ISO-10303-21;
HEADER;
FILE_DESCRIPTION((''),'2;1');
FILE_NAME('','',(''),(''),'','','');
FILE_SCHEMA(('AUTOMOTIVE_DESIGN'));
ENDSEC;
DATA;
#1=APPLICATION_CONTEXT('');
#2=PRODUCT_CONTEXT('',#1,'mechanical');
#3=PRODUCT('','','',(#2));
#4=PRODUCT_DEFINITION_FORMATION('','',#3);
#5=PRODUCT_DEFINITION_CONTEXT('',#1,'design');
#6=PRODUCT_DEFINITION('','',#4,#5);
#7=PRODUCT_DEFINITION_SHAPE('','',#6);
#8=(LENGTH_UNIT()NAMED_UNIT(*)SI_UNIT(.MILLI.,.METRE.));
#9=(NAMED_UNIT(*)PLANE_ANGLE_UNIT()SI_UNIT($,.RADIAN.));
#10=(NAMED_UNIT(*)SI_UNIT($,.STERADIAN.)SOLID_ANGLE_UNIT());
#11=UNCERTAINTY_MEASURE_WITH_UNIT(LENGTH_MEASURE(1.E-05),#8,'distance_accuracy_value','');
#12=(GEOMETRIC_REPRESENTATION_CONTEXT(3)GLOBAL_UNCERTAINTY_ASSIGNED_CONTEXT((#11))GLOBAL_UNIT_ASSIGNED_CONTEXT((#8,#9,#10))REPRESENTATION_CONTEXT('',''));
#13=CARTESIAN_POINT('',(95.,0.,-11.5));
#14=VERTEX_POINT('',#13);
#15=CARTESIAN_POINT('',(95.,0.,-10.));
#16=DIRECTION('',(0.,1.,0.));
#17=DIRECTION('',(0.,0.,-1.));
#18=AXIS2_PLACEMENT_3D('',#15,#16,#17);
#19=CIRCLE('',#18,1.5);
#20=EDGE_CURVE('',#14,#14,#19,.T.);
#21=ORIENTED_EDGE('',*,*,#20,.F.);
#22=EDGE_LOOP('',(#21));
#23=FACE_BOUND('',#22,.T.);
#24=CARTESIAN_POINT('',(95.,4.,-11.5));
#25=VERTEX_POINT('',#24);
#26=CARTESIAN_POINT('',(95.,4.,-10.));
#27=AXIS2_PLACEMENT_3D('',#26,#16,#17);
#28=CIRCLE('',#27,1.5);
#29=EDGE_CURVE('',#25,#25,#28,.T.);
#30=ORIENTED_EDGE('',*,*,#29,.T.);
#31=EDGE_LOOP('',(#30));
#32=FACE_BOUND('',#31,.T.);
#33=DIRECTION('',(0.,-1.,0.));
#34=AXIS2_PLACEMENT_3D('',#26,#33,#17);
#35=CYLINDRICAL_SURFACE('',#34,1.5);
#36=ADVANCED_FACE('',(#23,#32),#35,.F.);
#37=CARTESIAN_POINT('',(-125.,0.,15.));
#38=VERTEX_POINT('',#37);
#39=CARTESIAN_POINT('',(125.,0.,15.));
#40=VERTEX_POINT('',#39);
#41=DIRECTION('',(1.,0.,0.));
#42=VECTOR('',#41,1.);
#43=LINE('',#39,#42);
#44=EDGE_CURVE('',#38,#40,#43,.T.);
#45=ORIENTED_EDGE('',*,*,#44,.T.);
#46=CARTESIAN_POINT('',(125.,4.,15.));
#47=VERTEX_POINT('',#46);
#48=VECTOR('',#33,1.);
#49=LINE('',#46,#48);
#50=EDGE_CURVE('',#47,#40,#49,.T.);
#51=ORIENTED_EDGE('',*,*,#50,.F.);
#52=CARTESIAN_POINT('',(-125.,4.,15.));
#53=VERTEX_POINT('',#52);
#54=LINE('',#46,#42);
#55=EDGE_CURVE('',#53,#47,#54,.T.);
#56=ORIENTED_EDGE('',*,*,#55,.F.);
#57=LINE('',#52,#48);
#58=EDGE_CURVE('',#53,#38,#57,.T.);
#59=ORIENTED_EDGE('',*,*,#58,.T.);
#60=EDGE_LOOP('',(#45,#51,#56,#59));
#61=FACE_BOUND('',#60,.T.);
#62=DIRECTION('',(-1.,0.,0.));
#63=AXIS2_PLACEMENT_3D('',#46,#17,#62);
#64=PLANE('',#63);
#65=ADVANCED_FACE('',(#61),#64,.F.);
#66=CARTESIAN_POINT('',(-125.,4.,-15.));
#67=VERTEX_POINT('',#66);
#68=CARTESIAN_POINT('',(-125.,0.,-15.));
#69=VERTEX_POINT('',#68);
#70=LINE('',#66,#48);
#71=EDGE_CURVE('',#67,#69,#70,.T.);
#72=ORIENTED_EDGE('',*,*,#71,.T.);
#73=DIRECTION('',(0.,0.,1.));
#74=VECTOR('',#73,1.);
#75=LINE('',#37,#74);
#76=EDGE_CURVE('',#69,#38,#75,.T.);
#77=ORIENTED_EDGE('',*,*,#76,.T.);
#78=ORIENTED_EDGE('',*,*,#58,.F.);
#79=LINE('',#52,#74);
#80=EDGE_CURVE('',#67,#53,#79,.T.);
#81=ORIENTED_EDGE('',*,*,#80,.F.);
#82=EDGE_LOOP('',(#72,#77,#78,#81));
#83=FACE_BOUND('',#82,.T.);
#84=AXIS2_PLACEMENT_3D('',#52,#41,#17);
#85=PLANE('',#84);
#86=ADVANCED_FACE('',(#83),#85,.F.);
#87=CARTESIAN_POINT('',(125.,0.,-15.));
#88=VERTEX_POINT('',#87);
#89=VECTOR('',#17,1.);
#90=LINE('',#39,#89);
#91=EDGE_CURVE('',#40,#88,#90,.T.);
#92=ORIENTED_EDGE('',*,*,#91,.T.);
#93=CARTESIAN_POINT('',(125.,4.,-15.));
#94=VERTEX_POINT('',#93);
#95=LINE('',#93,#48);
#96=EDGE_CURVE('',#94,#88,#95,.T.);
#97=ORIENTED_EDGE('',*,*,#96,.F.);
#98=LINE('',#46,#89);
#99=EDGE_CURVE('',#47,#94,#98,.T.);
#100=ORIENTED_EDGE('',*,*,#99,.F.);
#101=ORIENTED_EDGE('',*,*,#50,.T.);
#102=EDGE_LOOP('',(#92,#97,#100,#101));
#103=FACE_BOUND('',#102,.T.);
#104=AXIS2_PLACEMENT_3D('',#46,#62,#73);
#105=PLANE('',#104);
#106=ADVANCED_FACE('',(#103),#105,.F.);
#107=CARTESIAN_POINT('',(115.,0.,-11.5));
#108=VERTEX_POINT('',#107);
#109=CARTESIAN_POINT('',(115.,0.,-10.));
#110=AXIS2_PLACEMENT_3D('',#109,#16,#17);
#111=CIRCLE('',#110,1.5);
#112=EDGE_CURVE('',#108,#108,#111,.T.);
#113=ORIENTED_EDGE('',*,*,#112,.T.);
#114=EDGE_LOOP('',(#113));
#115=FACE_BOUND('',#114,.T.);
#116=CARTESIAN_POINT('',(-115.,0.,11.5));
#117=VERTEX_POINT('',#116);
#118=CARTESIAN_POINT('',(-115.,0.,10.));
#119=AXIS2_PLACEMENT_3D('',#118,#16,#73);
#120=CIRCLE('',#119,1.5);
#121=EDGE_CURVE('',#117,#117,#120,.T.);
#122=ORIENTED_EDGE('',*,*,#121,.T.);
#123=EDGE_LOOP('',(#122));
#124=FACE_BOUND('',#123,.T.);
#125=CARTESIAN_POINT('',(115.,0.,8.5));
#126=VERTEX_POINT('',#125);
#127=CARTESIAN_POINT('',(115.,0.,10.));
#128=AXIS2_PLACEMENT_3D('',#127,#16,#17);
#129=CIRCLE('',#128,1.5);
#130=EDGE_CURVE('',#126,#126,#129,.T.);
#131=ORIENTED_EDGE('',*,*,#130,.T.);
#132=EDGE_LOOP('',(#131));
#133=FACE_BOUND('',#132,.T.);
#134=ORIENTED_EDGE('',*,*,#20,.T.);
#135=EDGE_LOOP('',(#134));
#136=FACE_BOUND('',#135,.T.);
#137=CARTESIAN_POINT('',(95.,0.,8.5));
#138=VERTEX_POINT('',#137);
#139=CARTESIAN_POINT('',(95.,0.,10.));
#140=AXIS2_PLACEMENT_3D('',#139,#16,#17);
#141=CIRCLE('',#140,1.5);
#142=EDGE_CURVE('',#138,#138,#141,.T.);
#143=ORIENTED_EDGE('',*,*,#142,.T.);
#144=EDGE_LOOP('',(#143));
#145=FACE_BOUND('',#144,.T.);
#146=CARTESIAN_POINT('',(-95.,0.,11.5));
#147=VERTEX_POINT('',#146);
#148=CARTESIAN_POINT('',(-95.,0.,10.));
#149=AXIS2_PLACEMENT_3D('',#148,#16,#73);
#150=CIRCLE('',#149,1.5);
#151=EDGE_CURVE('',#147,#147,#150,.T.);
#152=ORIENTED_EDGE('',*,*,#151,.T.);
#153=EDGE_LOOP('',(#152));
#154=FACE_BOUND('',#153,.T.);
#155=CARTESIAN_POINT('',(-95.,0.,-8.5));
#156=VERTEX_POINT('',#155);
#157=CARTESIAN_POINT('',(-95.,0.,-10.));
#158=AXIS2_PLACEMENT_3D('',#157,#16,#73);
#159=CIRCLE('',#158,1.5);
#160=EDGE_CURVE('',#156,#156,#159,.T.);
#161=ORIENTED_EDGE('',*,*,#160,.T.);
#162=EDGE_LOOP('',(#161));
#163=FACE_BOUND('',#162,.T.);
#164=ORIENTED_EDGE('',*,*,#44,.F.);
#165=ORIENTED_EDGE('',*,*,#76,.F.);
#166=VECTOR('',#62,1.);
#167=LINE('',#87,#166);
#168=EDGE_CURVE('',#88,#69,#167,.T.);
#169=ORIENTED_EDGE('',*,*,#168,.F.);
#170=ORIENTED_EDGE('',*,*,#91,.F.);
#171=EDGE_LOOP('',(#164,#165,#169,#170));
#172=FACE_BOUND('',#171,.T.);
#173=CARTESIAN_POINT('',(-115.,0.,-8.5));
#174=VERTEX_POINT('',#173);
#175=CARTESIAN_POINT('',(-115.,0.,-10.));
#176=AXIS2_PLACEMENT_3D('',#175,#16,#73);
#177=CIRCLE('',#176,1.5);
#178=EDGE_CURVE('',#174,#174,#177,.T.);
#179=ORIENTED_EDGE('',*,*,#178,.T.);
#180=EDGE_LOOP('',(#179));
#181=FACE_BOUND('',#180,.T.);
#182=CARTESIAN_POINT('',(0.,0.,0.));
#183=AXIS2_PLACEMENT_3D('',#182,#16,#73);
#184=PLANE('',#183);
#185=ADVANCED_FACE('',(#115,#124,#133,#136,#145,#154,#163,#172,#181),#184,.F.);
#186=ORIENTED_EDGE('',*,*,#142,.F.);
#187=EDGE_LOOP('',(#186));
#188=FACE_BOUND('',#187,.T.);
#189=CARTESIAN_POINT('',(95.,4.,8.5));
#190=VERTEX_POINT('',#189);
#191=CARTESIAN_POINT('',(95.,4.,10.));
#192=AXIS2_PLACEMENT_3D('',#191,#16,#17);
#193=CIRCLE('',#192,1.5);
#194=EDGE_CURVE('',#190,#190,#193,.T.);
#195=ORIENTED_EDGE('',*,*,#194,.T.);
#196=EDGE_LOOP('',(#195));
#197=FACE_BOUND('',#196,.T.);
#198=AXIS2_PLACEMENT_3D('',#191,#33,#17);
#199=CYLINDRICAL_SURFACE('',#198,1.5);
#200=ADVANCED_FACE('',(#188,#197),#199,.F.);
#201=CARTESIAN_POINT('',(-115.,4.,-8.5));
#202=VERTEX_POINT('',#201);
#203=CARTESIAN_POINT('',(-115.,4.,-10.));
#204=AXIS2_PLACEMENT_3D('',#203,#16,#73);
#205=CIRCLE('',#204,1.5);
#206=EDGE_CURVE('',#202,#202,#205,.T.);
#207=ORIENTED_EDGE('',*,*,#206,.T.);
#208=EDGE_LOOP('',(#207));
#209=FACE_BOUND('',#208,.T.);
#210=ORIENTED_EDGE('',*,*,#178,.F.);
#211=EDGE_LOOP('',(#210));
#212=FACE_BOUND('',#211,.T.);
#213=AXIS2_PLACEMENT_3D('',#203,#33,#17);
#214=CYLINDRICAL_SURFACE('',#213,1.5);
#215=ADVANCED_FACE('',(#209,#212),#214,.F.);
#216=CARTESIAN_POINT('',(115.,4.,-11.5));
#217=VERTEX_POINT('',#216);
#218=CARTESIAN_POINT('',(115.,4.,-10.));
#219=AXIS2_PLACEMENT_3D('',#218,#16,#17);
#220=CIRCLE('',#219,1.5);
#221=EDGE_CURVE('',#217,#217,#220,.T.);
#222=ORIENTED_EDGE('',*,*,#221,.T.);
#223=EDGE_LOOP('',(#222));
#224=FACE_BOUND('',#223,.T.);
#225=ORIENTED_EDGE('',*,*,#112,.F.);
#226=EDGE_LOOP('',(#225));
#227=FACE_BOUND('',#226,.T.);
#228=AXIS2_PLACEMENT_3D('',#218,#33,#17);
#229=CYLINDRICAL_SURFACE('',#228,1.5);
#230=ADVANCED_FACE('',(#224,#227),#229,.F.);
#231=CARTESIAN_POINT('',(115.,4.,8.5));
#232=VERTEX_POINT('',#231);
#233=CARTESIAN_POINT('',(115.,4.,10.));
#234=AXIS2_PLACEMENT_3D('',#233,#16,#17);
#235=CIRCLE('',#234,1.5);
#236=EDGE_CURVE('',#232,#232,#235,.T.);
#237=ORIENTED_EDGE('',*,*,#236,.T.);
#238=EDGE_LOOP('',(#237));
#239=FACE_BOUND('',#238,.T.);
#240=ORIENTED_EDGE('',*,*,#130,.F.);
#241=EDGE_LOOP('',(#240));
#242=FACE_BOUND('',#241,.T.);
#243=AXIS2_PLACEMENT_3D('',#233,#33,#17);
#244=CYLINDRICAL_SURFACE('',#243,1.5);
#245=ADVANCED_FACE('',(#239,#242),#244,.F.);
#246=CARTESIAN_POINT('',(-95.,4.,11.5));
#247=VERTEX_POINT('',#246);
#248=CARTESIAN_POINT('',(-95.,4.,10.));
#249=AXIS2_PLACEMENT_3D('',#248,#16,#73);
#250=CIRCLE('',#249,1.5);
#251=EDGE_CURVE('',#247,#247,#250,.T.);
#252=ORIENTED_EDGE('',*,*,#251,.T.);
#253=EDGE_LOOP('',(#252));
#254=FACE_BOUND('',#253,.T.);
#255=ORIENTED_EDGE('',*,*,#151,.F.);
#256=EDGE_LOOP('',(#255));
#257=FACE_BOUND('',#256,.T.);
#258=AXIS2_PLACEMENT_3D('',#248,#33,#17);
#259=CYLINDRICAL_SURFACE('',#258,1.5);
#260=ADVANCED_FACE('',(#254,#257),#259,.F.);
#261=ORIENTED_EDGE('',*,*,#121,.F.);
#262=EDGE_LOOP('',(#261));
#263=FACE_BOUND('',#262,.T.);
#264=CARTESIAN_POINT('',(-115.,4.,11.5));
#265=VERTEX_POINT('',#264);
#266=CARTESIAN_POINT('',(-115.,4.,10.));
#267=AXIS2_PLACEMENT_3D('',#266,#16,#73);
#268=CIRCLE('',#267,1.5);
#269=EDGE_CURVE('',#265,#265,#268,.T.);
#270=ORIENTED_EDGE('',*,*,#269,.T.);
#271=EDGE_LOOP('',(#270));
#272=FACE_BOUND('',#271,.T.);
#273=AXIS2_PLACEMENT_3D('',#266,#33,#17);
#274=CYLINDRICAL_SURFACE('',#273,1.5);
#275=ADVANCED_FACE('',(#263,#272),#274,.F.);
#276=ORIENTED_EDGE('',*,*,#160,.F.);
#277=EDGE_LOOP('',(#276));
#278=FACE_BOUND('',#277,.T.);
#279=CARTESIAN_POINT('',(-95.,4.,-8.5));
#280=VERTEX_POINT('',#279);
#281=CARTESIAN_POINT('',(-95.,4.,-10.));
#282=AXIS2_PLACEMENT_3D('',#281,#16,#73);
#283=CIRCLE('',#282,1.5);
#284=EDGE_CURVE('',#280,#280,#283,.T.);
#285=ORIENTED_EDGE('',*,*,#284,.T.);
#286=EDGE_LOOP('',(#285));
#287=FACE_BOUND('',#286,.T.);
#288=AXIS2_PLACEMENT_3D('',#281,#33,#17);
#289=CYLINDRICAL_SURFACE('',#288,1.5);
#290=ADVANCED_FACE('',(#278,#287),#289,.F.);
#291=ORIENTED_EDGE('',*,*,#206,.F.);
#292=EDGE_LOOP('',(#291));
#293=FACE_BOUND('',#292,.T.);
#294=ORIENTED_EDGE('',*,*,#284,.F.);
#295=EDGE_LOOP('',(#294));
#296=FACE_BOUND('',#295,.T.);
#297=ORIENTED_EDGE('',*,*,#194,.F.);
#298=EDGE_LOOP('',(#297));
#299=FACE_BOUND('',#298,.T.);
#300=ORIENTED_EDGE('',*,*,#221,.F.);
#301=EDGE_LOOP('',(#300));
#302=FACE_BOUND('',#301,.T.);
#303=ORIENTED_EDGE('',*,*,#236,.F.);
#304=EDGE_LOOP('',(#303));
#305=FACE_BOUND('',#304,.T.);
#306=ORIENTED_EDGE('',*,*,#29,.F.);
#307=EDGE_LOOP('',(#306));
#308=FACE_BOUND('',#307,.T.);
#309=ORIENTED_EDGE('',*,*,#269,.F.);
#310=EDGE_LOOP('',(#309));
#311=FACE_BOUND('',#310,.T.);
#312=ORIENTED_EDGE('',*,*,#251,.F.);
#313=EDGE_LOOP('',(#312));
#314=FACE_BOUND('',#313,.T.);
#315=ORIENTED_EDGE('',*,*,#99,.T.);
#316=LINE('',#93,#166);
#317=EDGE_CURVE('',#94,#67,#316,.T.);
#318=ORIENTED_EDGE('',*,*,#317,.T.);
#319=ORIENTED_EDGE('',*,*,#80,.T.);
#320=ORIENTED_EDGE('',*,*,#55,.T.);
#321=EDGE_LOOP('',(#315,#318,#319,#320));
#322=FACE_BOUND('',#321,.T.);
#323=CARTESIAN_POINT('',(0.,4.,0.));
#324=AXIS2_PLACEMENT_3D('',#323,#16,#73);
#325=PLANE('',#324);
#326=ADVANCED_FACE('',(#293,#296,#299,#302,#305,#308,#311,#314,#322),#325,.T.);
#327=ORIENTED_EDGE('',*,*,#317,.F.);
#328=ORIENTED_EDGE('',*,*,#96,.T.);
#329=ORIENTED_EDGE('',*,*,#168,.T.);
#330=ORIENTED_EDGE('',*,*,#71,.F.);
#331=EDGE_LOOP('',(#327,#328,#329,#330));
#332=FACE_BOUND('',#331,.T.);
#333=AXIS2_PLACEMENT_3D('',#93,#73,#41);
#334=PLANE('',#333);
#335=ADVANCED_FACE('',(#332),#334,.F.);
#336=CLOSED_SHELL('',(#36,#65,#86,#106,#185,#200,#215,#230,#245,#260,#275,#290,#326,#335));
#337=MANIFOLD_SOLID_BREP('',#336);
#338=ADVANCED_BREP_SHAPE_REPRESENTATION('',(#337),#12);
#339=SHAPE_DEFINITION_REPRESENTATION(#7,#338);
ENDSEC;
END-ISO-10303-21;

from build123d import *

# Parameters (mm, degrees)
SKIZZE1_W                       = 250
SKIZZE1_H                       = 30
SKIZZE1_R                       = 1.5
AUFSATZ_LINEAR_AUSTRAGEN1_DEPTH = 4


with BuildPart() as part:
    # Skizze1 → Aufsatz-Linear austragen1 (new body)
    with BuildSketch(Plane(origin=(0, 0, 0), x_dir=(1, 0, 0), z_dir=(0, 1, 0))):
        Rectangle(SKIZZE1_W, SKIZZE1_H)
        with Locations((-115, 10)):
            Circle(SKIZZE1_R, mode=Mode.SUBTRACT)
        with Locations((-115, -10)):
            Circle(SKIZZE1_R, mode=Mode.SUBTRACT)
        with Locations((-95, -10)):
            Circle(SKIZZE1_R, mode=Mode.SUBTRACT)
        with Locations((-95, 10)):
            Circle(SKIZZE1_R, mode=Mode.SUBTRACT)
        with Locations((95, -10)):
            Circle(SKIZZE1_R, mode=Mode.SUBTRACT)
        with Locations((115, -10)):
            Circle(SKIZZE1_R, mode=Mode.SUBTRACT)
        with Locations((115, 10)):
            Circle(SKIZZE1_R, mode=Mode.SUBTRACT)
        with Locations((95, 10)):
            Circle(SKIZZE1_R, mode=Mode.SUBTRACT)
    extrude(amount=AUFSATZ_LINEAR_AUSTRAGEN1_DEPTH)


solid = part.part
